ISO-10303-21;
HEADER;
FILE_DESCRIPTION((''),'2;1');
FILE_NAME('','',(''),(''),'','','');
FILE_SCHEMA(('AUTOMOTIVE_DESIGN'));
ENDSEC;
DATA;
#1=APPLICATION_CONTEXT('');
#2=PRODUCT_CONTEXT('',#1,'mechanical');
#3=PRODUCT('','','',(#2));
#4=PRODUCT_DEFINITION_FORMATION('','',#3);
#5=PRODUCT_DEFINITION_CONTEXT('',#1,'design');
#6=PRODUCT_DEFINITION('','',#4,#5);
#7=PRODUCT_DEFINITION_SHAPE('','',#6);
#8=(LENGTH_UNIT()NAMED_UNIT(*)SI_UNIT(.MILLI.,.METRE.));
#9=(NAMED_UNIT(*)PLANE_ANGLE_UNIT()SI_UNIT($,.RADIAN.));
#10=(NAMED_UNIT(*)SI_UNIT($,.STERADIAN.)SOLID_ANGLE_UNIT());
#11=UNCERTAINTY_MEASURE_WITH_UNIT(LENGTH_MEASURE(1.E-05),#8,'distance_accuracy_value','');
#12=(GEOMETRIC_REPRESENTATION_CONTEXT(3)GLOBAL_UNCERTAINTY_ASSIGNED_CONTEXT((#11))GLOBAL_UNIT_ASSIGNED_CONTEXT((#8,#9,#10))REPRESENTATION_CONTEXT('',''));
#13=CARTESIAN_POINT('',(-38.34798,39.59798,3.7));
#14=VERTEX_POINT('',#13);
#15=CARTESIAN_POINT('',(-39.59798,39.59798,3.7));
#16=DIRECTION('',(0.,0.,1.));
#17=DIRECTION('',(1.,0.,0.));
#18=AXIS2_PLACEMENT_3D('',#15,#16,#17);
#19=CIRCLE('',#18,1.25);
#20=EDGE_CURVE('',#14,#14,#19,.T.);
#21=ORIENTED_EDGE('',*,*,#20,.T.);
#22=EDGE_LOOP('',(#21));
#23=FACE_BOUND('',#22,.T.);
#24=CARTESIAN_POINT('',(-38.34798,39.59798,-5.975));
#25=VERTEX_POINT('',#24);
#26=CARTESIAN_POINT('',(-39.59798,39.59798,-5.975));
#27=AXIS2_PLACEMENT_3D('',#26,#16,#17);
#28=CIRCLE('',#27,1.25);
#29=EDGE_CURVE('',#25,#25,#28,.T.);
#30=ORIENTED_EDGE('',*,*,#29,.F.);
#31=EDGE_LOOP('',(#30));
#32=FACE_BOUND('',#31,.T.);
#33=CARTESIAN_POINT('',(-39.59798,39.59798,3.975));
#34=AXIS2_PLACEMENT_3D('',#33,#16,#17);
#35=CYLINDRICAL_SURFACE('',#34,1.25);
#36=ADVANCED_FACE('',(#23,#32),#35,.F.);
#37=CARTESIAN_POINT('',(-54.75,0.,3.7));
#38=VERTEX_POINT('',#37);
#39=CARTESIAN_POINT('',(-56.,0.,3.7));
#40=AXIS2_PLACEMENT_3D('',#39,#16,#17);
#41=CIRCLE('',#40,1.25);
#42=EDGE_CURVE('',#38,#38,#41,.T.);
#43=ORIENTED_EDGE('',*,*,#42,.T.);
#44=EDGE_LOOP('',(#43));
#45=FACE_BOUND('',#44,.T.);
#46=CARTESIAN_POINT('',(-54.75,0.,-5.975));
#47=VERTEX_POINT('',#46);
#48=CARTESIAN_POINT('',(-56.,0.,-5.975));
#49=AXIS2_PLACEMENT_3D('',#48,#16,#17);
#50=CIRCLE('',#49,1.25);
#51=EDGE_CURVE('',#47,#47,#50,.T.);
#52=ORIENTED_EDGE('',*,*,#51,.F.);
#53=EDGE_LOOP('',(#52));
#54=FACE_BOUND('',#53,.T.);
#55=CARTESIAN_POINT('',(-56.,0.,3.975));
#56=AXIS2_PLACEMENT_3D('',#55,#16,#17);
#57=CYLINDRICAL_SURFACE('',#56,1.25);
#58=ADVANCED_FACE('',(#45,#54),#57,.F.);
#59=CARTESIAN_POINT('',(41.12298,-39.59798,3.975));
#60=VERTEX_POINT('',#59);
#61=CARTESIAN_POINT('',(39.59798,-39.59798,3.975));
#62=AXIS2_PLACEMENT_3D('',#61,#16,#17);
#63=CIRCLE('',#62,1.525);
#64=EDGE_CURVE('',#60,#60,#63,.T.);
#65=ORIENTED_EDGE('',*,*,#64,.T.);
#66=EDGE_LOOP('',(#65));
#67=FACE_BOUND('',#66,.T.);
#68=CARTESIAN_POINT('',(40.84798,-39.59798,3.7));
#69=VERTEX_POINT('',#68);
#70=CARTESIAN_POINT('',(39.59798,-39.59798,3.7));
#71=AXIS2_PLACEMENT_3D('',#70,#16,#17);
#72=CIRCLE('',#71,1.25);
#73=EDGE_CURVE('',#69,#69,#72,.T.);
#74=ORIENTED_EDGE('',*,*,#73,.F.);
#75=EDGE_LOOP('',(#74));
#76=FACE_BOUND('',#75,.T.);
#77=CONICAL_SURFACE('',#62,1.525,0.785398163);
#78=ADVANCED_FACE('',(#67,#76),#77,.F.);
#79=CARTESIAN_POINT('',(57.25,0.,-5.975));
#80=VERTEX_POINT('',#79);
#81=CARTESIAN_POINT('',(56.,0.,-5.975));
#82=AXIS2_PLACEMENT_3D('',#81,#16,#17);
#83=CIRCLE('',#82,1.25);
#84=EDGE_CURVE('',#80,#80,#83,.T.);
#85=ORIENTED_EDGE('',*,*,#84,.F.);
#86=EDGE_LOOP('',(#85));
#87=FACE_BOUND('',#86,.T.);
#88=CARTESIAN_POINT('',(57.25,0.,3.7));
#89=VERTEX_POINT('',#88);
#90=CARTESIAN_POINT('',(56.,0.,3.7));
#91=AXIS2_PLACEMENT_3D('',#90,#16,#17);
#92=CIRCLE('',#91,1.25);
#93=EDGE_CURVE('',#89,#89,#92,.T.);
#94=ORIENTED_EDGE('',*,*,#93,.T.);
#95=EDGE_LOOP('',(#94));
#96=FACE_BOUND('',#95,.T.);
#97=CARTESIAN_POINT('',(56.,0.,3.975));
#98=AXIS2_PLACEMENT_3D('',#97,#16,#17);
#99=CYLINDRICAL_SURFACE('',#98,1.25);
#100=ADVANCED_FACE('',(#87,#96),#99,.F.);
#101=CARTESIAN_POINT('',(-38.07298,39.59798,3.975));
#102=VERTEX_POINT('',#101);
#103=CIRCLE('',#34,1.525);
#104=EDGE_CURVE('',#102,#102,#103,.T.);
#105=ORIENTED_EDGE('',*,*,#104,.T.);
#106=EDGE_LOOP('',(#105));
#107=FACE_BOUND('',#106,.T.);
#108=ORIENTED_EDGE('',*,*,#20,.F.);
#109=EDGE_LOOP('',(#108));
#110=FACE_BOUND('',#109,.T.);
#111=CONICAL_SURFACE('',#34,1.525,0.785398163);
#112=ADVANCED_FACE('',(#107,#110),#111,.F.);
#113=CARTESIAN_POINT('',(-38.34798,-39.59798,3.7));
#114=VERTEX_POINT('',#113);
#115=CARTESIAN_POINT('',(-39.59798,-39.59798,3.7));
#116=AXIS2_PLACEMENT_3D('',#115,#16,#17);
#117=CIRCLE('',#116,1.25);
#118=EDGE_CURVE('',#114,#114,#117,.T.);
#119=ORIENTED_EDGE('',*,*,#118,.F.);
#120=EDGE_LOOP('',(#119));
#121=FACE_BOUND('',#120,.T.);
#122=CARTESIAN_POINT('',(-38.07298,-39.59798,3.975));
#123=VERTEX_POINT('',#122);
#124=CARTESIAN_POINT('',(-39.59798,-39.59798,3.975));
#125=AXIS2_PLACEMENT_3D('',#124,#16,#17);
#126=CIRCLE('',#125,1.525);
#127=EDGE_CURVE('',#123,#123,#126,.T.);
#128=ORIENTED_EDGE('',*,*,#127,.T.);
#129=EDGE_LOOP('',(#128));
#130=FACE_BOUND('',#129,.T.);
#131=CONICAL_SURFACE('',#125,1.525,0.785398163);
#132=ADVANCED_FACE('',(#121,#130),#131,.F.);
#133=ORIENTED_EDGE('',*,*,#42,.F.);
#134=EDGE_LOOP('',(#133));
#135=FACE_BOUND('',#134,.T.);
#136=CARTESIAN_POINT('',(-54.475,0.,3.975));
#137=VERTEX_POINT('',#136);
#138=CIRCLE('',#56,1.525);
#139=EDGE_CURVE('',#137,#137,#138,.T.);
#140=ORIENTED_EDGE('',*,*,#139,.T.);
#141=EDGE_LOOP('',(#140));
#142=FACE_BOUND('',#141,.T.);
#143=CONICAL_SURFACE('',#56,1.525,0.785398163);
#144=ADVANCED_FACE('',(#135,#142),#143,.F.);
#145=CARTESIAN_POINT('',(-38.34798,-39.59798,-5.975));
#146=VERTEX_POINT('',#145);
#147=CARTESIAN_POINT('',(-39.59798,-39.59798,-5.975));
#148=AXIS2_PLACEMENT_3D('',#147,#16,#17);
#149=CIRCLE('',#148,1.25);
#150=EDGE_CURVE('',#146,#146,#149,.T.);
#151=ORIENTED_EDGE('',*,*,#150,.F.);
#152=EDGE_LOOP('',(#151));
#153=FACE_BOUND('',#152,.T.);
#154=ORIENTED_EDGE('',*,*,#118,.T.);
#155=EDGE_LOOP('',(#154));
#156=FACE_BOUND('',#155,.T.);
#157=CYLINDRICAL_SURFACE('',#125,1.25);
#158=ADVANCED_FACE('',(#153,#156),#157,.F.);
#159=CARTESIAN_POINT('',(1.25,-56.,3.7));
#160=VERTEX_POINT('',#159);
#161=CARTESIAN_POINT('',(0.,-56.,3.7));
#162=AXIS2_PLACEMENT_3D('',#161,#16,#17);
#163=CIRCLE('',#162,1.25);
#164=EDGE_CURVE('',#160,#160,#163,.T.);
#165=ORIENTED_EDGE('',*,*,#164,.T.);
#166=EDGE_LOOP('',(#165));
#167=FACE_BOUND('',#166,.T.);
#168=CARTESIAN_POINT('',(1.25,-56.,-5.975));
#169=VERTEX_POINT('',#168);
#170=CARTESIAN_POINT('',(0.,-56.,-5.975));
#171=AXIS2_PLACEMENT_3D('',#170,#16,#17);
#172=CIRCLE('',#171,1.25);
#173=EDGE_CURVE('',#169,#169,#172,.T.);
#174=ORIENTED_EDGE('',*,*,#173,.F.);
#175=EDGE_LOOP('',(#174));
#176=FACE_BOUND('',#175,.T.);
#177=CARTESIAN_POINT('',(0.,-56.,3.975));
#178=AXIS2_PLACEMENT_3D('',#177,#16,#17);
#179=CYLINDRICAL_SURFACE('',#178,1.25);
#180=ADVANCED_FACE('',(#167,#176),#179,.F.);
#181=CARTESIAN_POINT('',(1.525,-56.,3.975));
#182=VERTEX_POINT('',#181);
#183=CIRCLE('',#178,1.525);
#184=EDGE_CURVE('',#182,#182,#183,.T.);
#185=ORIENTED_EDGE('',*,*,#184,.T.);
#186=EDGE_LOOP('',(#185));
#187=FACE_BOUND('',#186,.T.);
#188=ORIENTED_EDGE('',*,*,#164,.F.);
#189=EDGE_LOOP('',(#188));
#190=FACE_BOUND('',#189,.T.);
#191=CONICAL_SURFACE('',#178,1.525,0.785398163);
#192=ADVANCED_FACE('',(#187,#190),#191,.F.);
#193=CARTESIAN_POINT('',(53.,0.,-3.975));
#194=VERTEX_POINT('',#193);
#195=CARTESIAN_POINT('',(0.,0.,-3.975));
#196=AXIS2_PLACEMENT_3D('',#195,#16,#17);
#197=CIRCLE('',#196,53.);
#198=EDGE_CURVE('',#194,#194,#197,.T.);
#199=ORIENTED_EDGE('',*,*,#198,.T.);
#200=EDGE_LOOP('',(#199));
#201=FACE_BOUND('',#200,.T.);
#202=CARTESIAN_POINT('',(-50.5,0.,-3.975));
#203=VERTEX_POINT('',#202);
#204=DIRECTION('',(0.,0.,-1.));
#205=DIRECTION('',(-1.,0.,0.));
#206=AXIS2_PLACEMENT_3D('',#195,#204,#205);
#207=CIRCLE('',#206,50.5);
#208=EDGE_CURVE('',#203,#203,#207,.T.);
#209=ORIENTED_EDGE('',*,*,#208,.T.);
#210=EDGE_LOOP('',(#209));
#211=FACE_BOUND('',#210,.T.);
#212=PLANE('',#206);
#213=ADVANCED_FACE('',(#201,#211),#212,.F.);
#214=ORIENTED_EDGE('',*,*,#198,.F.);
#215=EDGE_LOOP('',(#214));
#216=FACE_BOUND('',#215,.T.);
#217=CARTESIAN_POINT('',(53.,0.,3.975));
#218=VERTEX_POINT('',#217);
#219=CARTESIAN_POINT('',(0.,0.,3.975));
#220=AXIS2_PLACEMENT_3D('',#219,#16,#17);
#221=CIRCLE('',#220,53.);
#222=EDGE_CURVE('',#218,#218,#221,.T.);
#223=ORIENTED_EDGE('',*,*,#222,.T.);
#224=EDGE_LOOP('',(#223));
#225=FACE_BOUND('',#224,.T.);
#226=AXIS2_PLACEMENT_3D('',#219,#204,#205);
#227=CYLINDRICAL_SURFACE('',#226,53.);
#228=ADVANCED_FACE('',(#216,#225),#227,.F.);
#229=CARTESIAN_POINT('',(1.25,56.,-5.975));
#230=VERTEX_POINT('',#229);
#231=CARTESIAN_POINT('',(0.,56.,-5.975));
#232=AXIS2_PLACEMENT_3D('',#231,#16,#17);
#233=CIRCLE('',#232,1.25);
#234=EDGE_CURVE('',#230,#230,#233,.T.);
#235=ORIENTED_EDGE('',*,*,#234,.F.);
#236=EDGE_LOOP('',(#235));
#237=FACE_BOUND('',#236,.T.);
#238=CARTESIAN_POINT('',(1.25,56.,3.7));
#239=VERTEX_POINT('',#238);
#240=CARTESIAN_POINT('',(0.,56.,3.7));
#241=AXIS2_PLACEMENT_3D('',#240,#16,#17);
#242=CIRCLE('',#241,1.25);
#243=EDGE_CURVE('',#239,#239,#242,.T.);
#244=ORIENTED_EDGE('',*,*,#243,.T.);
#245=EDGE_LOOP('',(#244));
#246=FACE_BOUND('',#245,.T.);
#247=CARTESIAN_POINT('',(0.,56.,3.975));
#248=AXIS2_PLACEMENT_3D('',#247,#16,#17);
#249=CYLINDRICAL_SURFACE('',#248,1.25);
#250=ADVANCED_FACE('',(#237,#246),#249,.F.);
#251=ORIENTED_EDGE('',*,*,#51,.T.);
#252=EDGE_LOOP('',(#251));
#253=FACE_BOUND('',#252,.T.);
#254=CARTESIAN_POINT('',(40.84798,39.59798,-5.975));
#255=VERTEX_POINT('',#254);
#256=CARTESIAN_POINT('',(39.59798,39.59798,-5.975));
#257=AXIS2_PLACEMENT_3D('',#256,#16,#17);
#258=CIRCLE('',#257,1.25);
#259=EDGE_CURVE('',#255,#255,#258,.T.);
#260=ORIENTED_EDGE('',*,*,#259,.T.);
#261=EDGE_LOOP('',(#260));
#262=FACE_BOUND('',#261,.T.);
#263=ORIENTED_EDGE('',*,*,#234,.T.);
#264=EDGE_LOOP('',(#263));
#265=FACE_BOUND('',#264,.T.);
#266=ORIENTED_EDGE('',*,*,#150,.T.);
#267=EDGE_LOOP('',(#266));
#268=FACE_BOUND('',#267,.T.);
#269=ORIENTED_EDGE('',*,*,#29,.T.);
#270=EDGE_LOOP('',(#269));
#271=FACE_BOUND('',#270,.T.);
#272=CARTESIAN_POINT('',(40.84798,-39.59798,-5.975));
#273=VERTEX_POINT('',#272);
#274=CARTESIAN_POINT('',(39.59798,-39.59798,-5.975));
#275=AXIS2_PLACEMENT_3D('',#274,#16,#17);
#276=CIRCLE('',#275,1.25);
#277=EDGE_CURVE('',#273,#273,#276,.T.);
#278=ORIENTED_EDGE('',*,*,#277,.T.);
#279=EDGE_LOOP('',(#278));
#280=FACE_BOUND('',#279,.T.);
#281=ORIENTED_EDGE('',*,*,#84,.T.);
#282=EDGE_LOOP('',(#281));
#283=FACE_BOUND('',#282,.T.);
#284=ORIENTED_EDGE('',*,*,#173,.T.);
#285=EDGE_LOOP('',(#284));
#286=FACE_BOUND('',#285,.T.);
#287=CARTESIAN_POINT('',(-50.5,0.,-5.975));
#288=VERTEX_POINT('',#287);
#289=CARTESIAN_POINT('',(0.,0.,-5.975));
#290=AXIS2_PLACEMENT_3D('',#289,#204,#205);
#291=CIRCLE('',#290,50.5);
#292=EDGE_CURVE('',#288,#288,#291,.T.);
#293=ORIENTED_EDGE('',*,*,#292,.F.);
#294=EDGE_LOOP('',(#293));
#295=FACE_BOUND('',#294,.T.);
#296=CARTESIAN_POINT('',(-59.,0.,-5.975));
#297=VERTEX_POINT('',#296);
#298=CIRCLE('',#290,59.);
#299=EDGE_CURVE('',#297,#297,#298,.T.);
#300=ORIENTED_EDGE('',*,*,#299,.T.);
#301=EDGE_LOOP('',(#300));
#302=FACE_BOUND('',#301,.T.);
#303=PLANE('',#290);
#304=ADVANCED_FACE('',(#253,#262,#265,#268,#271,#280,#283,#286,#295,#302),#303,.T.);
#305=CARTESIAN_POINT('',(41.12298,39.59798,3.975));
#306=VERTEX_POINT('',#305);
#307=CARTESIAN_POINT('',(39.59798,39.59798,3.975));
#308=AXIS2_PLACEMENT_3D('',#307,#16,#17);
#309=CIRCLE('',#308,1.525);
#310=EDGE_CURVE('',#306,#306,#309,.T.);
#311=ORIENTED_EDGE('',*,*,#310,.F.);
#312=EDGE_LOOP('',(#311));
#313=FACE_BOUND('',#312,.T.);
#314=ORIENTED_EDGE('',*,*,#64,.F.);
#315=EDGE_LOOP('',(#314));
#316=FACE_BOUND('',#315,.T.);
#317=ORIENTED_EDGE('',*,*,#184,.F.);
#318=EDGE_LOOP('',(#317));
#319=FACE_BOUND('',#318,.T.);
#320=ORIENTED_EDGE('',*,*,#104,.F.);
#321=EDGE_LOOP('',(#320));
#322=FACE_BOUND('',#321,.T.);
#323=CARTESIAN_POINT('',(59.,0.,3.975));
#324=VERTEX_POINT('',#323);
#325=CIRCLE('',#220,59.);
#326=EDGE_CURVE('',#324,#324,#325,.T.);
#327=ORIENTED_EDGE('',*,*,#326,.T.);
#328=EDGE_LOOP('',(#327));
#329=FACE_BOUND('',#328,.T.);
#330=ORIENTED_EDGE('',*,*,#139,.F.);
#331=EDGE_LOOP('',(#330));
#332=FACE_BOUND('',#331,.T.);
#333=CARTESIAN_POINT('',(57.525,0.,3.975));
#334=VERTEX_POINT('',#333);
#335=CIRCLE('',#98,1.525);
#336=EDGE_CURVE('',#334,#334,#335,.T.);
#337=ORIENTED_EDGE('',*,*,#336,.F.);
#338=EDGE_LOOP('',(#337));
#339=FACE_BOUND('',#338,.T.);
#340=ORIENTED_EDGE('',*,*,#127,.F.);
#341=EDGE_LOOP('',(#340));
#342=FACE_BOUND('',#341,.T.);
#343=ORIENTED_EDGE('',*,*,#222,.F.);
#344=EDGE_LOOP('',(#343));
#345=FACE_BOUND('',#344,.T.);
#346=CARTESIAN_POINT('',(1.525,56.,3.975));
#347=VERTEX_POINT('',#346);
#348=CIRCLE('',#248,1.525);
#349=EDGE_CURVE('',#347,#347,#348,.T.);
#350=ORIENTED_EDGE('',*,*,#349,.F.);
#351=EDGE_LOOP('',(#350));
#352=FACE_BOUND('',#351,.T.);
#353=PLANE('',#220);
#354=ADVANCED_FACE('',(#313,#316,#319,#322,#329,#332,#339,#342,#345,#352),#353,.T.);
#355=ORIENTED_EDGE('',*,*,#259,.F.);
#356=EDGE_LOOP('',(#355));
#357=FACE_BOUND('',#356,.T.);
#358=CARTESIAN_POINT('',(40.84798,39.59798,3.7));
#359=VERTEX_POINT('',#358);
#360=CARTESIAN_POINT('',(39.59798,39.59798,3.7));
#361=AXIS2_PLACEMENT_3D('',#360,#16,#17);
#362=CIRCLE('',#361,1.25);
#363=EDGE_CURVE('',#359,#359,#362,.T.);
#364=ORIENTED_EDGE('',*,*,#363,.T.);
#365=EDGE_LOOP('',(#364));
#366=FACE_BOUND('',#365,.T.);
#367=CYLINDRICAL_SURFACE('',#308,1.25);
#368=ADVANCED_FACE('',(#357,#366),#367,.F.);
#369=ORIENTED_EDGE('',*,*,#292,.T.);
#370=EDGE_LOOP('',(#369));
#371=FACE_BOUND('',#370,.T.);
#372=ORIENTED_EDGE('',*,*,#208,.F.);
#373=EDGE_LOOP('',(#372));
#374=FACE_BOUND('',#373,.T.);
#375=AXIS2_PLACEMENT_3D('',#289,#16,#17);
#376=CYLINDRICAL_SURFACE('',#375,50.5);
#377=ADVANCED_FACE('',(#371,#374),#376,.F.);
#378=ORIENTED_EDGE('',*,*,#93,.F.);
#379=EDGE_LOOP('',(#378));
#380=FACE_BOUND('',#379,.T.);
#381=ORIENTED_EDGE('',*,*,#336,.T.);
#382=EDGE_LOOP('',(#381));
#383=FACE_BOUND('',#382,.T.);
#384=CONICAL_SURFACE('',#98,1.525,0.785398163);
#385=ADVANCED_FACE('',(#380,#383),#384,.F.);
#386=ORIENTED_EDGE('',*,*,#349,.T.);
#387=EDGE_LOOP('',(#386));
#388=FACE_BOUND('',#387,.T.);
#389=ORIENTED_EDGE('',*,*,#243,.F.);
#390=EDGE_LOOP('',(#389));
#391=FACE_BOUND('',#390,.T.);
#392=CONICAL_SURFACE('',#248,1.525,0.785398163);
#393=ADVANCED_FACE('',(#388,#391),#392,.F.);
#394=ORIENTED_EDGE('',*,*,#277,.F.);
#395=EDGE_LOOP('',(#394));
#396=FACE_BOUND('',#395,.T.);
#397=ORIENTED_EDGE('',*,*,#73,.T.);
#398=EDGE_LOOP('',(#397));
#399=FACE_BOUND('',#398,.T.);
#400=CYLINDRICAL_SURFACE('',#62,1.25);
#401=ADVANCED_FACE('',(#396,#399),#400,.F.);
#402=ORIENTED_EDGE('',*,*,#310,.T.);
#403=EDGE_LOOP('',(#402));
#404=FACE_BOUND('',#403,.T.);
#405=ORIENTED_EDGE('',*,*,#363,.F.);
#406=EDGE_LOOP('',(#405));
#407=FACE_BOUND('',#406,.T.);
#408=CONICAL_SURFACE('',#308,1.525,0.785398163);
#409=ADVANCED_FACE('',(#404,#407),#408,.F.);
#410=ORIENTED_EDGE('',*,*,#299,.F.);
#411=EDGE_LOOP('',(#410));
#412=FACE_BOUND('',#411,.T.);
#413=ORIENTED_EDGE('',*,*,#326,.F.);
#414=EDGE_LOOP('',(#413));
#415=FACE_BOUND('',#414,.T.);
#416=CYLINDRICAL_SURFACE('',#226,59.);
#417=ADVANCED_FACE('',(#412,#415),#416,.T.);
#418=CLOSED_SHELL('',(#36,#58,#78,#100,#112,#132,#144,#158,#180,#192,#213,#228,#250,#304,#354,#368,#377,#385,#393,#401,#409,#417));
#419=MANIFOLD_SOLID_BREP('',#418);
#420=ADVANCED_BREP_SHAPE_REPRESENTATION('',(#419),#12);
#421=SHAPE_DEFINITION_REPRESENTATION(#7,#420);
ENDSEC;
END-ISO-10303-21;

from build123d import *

# Parameters (mm, degrees)
SKETCH_1_R                   = 59
SKETCH_1_R_2                 = 53
EXTRUDE_1_DEPTH              = 3.975
SKETCH_2_R                   = 59
SKETCH_2_R_2                 = 50.5
EXTRUDE_2_DEPTH              = 2
HOLE_WIZARD_M3_1_D           = 2.5
HOLE_WIZARD_M3_1_CSINK_D     = 3.05
HOLE_WIZARD_M3_1_CSINK_ANGLE = 90
PATTERN_CIRCULAR_1_COUNT     = 8


with BuildPart() as part:
    # 草图1 → 凸台-拉伸1 (new, symmetric)
    with BuildSketch(Plane.XY):
        Circle(SKETCH_1_R)
        Circle(SKETCH_1_R_2, mode=Mode.SUBTRACT)
    extrude(amount=EXTRUDE_1_DEPTH, both=True)

    # 草图2 → 凸台-拉伸2 (add)
    with BuildSketch(Plane(origin=(0, 0, -3.975), x_dir=(-1, 0, 0), z_dir=(0, 0, -1))):
        Circle(SKETCH_2_R)
        Circle(SKETCH_2_R_2, mode=Mode.SUBTRACT)
    extrude(amount=EXTRUDE_2_DEPTH)

    # M3 螺纹孔1 (through all)
    with Locations(Plane.XY.offset(3.975)):
        with Locations((0, 56)):
            hole_wizard_m3_1 = CounterSinkHole(HOLE_WIZARD_M3_1_D / 2, HOLE_WIZARD_M3_1_CSINK_D / 2, counter_sink_angle=HOLE_WIZARD_M3_1_CSINK_ANGLE)

    # 阵列(圆周)1: M3 螺纹孔1 ×8 about axis
    pattern_circular_1_axis = Axis((0, 0, 0), (0, 0, 1))
    for i in range(1, PATTERN_CIRCULAR_1_COUNT):
        add(hole_wizard_m3_1.rotate(pattern_circular_1_axis, i * 360 / PATTERN_CIRCULAR_1_COUNT), mode=Mode.SUBTRACT)


solid = part.part
